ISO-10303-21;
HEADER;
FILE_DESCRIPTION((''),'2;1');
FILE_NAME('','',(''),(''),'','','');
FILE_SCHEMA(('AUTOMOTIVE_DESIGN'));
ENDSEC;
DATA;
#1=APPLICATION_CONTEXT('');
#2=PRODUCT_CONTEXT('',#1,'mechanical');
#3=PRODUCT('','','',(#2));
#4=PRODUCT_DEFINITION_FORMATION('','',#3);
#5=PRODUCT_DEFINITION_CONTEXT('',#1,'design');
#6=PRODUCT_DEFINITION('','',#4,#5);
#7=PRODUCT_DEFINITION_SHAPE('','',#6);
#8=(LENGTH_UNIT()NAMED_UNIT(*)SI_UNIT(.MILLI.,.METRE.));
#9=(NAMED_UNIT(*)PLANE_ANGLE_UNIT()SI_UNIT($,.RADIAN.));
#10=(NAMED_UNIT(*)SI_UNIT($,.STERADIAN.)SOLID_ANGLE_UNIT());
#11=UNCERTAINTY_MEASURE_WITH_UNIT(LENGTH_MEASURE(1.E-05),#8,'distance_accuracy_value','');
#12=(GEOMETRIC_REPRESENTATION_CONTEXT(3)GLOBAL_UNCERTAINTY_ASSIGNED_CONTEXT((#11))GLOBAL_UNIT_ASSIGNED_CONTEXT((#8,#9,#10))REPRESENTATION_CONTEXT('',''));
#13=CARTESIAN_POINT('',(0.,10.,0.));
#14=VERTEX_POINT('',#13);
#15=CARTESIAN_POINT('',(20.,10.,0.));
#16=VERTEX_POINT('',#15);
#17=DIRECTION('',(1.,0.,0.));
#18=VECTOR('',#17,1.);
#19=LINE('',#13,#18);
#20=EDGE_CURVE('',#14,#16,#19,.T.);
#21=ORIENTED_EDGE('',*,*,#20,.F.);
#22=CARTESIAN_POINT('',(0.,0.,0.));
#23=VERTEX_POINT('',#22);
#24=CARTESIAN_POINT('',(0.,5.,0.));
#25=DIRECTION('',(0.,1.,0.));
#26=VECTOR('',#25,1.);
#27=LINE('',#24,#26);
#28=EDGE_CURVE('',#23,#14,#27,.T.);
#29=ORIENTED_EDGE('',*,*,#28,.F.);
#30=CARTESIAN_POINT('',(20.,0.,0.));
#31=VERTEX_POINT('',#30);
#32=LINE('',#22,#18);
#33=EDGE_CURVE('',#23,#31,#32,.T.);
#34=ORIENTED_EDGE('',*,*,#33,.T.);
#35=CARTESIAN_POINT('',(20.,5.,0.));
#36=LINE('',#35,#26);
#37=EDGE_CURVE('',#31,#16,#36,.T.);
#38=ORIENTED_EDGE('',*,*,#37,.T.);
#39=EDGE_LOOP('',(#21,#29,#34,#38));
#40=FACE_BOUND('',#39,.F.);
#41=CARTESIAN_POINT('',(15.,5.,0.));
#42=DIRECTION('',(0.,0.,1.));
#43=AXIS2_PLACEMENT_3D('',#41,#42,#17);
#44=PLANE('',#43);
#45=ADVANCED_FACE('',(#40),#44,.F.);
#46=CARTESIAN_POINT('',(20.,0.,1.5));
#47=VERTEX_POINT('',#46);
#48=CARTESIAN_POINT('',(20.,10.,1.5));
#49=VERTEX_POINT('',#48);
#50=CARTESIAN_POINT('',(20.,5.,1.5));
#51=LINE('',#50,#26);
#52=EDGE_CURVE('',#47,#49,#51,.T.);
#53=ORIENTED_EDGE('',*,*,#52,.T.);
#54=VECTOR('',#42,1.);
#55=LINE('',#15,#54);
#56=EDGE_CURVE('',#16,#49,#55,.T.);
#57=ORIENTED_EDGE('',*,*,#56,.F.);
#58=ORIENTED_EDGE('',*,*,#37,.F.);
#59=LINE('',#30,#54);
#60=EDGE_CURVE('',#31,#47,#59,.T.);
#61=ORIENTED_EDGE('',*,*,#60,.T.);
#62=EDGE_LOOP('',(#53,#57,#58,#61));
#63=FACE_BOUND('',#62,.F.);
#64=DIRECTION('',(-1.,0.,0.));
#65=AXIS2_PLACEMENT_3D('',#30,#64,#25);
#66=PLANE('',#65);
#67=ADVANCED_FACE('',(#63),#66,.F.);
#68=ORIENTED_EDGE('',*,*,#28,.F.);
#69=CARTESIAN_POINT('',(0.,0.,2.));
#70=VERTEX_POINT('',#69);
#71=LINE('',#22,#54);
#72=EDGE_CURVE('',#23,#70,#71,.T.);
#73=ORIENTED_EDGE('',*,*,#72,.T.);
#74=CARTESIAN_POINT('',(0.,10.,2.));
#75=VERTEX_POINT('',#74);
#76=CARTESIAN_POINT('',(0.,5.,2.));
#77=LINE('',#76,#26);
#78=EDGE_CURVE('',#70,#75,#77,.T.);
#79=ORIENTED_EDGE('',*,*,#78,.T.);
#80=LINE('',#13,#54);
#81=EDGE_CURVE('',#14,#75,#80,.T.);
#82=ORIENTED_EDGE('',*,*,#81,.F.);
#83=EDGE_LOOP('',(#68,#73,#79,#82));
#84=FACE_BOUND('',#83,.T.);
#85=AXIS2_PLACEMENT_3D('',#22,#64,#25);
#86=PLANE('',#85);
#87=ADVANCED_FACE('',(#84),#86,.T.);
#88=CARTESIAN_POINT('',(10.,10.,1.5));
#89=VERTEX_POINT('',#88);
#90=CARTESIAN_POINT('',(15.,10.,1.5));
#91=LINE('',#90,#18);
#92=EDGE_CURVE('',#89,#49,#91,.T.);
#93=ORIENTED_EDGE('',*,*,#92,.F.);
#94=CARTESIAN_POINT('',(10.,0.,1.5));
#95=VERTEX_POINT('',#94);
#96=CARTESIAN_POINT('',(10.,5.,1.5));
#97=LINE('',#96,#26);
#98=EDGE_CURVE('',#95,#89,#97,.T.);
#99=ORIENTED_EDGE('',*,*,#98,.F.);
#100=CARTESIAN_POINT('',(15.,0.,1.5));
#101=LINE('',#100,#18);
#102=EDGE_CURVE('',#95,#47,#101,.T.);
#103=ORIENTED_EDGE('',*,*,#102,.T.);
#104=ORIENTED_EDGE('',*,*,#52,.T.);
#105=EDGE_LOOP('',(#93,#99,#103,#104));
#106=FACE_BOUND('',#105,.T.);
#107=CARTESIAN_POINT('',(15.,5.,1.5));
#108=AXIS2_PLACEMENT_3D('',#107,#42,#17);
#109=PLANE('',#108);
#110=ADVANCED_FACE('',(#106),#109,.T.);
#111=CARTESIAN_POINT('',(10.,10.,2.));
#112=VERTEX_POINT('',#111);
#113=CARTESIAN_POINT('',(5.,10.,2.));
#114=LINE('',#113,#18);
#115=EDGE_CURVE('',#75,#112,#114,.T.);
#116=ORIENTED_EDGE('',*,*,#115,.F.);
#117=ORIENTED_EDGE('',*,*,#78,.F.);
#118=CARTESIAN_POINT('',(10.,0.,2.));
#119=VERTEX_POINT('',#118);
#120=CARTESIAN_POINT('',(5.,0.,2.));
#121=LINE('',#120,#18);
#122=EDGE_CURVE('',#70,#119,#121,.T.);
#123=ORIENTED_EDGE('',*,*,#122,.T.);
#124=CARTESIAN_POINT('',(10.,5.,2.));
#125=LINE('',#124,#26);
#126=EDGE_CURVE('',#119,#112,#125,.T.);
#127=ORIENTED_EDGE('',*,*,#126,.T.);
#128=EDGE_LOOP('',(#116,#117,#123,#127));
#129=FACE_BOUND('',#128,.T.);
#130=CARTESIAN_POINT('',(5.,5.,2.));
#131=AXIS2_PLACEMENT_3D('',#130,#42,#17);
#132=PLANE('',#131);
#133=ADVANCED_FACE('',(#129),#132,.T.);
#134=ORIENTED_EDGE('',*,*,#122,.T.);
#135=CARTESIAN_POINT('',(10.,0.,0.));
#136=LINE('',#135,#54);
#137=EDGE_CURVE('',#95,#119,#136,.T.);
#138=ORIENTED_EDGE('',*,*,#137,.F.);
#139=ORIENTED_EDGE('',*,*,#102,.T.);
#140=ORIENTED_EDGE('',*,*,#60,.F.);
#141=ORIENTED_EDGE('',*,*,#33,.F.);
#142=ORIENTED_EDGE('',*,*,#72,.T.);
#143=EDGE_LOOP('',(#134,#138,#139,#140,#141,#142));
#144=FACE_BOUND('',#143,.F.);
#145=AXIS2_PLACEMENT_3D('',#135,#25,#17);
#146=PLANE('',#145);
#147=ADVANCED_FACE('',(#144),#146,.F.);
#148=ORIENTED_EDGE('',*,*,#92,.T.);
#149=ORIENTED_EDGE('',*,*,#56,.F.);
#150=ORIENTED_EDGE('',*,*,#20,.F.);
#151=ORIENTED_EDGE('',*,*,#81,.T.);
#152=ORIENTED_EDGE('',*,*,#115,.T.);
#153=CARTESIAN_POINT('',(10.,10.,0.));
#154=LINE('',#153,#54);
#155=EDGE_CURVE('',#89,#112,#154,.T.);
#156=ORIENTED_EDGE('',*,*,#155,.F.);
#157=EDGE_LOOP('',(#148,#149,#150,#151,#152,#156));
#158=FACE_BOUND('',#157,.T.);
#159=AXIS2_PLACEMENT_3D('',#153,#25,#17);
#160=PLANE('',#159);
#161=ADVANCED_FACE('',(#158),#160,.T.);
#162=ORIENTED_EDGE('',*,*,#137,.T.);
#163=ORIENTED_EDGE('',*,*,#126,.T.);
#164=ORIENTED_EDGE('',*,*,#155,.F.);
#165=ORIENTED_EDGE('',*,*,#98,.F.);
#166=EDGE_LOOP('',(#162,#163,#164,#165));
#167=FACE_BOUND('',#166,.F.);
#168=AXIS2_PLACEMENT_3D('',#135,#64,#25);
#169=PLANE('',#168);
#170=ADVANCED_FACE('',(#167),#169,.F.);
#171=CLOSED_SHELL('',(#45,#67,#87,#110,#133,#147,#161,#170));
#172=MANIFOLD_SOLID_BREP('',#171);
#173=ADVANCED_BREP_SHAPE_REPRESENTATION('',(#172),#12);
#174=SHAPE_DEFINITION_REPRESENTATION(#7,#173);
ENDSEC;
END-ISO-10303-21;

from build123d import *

# Parameters (mm, degrees)
F0_W     = 10
F0_H     = 10
F1_DEPTH = 2
F2_W     = 10
F2_H     = 10
F3_DEPTH = 1.5


with BuildPart() as f1:
    # F0 (on Top) → F1 (new body)
    with BuildSketch(Plane.XY):
        with Locations((5, 5)):
            Rectangle(F0_W, F0_H)
    extrude(amount=F1_DEPTH)

    # F2 (on Top) → F3 (join)
    with BuildSketch(Plane.XY):
        with Locations((15, 5)):
            Rectangle(F2_W, F2_H)
    extrude(amount=F3_DEPTH)


solid = f1.part
